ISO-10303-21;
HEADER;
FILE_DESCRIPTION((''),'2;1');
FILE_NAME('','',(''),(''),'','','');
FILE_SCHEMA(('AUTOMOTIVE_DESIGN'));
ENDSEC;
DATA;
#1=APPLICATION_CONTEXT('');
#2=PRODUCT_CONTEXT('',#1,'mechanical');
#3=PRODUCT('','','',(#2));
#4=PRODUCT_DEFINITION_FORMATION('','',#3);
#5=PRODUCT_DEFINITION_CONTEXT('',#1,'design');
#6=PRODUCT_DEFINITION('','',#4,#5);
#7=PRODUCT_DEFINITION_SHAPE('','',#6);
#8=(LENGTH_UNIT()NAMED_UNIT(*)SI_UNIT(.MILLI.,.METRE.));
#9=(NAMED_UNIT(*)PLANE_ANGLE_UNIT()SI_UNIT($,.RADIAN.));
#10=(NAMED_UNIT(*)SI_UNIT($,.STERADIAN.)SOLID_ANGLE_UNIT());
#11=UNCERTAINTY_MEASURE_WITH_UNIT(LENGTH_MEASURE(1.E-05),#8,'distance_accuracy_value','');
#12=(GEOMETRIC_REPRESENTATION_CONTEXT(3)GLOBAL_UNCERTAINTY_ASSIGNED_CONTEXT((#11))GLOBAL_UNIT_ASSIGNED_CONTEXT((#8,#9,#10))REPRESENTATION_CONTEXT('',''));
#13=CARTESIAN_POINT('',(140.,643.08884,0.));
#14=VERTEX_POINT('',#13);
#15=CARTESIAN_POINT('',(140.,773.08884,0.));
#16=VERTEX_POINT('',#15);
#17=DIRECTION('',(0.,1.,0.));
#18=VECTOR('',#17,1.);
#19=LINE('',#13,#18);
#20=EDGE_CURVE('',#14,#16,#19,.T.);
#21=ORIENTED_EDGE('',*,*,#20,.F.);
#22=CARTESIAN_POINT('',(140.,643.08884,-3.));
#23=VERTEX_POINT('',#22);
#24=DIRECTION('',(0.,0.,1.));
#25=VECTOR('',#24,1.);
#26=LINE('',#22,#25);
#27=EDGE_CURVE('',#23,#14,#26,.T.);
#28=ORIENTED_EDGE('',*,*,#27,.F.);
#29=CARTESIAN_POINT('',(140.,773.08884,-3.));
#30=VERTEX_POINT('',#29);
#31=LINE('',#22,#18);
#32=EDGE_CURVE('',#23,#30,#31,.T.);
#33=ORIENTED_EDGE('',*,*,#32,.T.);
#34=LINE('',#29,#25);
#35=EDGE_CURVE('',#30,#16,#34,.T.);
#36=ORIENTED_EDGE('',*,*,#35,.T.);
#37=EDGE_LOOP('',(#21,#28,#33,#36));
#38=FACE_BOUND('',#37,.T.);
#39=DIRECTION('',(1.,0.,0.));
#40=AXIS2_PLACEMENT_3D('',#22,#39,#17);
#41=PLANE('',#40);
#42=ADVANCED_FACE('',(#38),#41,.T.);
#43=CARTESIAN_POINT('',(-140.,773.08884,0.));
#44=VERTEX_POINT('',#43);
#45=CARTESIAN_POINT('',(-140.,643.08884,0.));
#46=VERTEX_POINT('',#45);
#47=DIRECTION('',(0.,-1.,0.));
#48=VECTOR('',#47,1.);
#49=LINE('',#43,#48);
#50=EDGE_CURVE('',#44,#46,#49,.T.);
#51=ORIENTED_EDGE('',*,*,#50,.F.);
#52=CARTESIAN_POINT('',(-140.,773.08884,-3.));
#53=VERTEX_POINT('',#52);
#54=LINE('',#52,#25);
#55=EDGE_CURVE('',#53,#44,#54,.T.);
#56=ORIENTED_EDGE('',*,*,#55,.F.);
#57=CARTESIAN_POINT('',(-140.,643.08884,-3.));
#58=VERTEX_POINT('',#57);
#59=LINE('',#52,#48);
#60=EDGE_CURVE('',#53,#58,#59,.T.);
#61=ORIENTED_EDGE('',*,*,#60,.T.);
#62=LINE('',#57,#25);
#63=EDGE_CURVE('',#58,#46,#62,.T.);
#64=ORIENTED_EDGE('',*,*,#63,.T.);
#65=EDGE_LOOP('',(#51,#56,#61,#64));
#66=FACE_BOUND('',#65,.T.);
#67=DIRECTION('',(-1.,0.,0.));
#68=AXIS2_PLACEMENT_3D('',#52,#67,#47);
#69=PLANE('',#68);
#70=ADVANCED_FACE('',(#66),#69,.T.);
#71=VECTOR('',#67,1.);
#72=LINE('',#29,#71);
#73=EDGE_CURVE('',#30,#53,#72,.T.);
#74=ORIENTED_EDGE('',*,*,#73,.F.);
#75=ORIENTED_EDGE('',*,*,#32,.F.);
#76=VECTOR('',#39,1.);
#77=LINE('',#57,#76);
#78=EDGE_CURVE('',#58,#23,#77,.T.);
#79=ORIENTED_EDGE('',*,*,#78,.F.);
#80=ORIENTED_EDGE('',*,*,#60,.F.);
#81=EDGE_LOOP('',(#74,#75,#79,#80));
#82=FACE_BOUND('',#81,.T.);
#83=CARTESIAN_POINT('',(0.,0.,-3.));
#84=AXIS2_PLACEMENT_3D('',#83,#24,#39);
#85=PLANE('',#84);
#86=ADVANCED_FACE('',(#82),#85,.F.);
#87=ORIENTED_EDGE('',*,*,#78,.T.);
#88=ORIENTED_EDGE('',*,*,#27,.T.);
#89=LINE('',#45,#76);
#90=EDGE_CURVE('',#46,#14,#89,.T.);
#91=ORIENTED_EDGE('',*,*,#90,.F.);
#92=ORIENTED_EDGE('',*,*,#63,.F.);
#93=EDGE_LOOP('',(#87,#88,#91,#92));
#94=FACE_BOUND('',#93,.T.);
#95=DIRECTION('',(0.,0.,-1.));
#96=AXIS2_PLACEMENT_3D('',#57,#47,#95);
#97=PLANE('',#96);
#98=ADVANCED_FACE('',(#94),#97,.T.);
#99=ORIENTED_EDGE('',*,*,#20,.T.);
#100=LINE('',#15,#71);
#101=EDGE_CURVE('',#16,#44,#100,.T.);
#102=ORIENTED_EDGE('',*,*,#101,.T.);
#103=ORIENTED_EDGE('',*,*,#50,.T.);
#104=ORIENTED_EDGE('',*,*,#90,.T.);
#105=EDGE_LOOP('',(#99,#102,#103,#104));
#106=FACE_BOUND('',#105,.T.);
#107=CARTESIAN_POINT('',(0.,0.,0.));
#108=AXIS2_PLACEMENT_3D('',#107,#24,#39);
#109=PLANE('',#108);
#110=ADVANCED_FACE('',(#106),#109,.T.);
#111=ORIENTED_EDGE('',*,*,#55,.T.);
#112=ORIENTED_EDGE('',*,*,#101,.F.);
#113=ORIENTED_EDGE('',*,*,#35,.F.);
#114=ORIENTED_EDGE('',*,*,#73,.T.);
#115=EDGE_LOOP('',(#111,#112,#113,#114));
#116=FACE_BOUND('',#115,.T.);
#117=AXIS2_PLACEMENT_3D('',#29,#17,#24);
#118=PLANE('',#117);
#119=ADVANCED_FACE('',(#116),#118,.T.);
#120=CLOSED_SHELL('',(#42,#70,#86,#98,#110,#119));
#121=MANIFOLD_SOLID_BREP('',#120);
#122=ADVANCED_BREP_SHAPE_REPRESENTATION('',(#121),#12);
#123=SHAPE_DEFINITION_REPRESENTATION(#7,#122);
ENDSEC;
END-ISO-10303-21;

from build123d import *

# Parameters (mm, degrees)
SKETCH1_W           = 280
SKETCH1_H           = 130
BOSS_EXTRUDE1_DEPTH = 3


with BuildPart() as part:
    # Sketch1 → Boss-Extrude1 (new body)
    with BuildSketch(Plane.XY):
        with Locations((0, 708.088839574)):
            Rectangle(SKETCH1_W, SKETCH1_H)
    extrude(amount=-BOSS_EXTRUDE1_DEPTH)


solid = part.part
